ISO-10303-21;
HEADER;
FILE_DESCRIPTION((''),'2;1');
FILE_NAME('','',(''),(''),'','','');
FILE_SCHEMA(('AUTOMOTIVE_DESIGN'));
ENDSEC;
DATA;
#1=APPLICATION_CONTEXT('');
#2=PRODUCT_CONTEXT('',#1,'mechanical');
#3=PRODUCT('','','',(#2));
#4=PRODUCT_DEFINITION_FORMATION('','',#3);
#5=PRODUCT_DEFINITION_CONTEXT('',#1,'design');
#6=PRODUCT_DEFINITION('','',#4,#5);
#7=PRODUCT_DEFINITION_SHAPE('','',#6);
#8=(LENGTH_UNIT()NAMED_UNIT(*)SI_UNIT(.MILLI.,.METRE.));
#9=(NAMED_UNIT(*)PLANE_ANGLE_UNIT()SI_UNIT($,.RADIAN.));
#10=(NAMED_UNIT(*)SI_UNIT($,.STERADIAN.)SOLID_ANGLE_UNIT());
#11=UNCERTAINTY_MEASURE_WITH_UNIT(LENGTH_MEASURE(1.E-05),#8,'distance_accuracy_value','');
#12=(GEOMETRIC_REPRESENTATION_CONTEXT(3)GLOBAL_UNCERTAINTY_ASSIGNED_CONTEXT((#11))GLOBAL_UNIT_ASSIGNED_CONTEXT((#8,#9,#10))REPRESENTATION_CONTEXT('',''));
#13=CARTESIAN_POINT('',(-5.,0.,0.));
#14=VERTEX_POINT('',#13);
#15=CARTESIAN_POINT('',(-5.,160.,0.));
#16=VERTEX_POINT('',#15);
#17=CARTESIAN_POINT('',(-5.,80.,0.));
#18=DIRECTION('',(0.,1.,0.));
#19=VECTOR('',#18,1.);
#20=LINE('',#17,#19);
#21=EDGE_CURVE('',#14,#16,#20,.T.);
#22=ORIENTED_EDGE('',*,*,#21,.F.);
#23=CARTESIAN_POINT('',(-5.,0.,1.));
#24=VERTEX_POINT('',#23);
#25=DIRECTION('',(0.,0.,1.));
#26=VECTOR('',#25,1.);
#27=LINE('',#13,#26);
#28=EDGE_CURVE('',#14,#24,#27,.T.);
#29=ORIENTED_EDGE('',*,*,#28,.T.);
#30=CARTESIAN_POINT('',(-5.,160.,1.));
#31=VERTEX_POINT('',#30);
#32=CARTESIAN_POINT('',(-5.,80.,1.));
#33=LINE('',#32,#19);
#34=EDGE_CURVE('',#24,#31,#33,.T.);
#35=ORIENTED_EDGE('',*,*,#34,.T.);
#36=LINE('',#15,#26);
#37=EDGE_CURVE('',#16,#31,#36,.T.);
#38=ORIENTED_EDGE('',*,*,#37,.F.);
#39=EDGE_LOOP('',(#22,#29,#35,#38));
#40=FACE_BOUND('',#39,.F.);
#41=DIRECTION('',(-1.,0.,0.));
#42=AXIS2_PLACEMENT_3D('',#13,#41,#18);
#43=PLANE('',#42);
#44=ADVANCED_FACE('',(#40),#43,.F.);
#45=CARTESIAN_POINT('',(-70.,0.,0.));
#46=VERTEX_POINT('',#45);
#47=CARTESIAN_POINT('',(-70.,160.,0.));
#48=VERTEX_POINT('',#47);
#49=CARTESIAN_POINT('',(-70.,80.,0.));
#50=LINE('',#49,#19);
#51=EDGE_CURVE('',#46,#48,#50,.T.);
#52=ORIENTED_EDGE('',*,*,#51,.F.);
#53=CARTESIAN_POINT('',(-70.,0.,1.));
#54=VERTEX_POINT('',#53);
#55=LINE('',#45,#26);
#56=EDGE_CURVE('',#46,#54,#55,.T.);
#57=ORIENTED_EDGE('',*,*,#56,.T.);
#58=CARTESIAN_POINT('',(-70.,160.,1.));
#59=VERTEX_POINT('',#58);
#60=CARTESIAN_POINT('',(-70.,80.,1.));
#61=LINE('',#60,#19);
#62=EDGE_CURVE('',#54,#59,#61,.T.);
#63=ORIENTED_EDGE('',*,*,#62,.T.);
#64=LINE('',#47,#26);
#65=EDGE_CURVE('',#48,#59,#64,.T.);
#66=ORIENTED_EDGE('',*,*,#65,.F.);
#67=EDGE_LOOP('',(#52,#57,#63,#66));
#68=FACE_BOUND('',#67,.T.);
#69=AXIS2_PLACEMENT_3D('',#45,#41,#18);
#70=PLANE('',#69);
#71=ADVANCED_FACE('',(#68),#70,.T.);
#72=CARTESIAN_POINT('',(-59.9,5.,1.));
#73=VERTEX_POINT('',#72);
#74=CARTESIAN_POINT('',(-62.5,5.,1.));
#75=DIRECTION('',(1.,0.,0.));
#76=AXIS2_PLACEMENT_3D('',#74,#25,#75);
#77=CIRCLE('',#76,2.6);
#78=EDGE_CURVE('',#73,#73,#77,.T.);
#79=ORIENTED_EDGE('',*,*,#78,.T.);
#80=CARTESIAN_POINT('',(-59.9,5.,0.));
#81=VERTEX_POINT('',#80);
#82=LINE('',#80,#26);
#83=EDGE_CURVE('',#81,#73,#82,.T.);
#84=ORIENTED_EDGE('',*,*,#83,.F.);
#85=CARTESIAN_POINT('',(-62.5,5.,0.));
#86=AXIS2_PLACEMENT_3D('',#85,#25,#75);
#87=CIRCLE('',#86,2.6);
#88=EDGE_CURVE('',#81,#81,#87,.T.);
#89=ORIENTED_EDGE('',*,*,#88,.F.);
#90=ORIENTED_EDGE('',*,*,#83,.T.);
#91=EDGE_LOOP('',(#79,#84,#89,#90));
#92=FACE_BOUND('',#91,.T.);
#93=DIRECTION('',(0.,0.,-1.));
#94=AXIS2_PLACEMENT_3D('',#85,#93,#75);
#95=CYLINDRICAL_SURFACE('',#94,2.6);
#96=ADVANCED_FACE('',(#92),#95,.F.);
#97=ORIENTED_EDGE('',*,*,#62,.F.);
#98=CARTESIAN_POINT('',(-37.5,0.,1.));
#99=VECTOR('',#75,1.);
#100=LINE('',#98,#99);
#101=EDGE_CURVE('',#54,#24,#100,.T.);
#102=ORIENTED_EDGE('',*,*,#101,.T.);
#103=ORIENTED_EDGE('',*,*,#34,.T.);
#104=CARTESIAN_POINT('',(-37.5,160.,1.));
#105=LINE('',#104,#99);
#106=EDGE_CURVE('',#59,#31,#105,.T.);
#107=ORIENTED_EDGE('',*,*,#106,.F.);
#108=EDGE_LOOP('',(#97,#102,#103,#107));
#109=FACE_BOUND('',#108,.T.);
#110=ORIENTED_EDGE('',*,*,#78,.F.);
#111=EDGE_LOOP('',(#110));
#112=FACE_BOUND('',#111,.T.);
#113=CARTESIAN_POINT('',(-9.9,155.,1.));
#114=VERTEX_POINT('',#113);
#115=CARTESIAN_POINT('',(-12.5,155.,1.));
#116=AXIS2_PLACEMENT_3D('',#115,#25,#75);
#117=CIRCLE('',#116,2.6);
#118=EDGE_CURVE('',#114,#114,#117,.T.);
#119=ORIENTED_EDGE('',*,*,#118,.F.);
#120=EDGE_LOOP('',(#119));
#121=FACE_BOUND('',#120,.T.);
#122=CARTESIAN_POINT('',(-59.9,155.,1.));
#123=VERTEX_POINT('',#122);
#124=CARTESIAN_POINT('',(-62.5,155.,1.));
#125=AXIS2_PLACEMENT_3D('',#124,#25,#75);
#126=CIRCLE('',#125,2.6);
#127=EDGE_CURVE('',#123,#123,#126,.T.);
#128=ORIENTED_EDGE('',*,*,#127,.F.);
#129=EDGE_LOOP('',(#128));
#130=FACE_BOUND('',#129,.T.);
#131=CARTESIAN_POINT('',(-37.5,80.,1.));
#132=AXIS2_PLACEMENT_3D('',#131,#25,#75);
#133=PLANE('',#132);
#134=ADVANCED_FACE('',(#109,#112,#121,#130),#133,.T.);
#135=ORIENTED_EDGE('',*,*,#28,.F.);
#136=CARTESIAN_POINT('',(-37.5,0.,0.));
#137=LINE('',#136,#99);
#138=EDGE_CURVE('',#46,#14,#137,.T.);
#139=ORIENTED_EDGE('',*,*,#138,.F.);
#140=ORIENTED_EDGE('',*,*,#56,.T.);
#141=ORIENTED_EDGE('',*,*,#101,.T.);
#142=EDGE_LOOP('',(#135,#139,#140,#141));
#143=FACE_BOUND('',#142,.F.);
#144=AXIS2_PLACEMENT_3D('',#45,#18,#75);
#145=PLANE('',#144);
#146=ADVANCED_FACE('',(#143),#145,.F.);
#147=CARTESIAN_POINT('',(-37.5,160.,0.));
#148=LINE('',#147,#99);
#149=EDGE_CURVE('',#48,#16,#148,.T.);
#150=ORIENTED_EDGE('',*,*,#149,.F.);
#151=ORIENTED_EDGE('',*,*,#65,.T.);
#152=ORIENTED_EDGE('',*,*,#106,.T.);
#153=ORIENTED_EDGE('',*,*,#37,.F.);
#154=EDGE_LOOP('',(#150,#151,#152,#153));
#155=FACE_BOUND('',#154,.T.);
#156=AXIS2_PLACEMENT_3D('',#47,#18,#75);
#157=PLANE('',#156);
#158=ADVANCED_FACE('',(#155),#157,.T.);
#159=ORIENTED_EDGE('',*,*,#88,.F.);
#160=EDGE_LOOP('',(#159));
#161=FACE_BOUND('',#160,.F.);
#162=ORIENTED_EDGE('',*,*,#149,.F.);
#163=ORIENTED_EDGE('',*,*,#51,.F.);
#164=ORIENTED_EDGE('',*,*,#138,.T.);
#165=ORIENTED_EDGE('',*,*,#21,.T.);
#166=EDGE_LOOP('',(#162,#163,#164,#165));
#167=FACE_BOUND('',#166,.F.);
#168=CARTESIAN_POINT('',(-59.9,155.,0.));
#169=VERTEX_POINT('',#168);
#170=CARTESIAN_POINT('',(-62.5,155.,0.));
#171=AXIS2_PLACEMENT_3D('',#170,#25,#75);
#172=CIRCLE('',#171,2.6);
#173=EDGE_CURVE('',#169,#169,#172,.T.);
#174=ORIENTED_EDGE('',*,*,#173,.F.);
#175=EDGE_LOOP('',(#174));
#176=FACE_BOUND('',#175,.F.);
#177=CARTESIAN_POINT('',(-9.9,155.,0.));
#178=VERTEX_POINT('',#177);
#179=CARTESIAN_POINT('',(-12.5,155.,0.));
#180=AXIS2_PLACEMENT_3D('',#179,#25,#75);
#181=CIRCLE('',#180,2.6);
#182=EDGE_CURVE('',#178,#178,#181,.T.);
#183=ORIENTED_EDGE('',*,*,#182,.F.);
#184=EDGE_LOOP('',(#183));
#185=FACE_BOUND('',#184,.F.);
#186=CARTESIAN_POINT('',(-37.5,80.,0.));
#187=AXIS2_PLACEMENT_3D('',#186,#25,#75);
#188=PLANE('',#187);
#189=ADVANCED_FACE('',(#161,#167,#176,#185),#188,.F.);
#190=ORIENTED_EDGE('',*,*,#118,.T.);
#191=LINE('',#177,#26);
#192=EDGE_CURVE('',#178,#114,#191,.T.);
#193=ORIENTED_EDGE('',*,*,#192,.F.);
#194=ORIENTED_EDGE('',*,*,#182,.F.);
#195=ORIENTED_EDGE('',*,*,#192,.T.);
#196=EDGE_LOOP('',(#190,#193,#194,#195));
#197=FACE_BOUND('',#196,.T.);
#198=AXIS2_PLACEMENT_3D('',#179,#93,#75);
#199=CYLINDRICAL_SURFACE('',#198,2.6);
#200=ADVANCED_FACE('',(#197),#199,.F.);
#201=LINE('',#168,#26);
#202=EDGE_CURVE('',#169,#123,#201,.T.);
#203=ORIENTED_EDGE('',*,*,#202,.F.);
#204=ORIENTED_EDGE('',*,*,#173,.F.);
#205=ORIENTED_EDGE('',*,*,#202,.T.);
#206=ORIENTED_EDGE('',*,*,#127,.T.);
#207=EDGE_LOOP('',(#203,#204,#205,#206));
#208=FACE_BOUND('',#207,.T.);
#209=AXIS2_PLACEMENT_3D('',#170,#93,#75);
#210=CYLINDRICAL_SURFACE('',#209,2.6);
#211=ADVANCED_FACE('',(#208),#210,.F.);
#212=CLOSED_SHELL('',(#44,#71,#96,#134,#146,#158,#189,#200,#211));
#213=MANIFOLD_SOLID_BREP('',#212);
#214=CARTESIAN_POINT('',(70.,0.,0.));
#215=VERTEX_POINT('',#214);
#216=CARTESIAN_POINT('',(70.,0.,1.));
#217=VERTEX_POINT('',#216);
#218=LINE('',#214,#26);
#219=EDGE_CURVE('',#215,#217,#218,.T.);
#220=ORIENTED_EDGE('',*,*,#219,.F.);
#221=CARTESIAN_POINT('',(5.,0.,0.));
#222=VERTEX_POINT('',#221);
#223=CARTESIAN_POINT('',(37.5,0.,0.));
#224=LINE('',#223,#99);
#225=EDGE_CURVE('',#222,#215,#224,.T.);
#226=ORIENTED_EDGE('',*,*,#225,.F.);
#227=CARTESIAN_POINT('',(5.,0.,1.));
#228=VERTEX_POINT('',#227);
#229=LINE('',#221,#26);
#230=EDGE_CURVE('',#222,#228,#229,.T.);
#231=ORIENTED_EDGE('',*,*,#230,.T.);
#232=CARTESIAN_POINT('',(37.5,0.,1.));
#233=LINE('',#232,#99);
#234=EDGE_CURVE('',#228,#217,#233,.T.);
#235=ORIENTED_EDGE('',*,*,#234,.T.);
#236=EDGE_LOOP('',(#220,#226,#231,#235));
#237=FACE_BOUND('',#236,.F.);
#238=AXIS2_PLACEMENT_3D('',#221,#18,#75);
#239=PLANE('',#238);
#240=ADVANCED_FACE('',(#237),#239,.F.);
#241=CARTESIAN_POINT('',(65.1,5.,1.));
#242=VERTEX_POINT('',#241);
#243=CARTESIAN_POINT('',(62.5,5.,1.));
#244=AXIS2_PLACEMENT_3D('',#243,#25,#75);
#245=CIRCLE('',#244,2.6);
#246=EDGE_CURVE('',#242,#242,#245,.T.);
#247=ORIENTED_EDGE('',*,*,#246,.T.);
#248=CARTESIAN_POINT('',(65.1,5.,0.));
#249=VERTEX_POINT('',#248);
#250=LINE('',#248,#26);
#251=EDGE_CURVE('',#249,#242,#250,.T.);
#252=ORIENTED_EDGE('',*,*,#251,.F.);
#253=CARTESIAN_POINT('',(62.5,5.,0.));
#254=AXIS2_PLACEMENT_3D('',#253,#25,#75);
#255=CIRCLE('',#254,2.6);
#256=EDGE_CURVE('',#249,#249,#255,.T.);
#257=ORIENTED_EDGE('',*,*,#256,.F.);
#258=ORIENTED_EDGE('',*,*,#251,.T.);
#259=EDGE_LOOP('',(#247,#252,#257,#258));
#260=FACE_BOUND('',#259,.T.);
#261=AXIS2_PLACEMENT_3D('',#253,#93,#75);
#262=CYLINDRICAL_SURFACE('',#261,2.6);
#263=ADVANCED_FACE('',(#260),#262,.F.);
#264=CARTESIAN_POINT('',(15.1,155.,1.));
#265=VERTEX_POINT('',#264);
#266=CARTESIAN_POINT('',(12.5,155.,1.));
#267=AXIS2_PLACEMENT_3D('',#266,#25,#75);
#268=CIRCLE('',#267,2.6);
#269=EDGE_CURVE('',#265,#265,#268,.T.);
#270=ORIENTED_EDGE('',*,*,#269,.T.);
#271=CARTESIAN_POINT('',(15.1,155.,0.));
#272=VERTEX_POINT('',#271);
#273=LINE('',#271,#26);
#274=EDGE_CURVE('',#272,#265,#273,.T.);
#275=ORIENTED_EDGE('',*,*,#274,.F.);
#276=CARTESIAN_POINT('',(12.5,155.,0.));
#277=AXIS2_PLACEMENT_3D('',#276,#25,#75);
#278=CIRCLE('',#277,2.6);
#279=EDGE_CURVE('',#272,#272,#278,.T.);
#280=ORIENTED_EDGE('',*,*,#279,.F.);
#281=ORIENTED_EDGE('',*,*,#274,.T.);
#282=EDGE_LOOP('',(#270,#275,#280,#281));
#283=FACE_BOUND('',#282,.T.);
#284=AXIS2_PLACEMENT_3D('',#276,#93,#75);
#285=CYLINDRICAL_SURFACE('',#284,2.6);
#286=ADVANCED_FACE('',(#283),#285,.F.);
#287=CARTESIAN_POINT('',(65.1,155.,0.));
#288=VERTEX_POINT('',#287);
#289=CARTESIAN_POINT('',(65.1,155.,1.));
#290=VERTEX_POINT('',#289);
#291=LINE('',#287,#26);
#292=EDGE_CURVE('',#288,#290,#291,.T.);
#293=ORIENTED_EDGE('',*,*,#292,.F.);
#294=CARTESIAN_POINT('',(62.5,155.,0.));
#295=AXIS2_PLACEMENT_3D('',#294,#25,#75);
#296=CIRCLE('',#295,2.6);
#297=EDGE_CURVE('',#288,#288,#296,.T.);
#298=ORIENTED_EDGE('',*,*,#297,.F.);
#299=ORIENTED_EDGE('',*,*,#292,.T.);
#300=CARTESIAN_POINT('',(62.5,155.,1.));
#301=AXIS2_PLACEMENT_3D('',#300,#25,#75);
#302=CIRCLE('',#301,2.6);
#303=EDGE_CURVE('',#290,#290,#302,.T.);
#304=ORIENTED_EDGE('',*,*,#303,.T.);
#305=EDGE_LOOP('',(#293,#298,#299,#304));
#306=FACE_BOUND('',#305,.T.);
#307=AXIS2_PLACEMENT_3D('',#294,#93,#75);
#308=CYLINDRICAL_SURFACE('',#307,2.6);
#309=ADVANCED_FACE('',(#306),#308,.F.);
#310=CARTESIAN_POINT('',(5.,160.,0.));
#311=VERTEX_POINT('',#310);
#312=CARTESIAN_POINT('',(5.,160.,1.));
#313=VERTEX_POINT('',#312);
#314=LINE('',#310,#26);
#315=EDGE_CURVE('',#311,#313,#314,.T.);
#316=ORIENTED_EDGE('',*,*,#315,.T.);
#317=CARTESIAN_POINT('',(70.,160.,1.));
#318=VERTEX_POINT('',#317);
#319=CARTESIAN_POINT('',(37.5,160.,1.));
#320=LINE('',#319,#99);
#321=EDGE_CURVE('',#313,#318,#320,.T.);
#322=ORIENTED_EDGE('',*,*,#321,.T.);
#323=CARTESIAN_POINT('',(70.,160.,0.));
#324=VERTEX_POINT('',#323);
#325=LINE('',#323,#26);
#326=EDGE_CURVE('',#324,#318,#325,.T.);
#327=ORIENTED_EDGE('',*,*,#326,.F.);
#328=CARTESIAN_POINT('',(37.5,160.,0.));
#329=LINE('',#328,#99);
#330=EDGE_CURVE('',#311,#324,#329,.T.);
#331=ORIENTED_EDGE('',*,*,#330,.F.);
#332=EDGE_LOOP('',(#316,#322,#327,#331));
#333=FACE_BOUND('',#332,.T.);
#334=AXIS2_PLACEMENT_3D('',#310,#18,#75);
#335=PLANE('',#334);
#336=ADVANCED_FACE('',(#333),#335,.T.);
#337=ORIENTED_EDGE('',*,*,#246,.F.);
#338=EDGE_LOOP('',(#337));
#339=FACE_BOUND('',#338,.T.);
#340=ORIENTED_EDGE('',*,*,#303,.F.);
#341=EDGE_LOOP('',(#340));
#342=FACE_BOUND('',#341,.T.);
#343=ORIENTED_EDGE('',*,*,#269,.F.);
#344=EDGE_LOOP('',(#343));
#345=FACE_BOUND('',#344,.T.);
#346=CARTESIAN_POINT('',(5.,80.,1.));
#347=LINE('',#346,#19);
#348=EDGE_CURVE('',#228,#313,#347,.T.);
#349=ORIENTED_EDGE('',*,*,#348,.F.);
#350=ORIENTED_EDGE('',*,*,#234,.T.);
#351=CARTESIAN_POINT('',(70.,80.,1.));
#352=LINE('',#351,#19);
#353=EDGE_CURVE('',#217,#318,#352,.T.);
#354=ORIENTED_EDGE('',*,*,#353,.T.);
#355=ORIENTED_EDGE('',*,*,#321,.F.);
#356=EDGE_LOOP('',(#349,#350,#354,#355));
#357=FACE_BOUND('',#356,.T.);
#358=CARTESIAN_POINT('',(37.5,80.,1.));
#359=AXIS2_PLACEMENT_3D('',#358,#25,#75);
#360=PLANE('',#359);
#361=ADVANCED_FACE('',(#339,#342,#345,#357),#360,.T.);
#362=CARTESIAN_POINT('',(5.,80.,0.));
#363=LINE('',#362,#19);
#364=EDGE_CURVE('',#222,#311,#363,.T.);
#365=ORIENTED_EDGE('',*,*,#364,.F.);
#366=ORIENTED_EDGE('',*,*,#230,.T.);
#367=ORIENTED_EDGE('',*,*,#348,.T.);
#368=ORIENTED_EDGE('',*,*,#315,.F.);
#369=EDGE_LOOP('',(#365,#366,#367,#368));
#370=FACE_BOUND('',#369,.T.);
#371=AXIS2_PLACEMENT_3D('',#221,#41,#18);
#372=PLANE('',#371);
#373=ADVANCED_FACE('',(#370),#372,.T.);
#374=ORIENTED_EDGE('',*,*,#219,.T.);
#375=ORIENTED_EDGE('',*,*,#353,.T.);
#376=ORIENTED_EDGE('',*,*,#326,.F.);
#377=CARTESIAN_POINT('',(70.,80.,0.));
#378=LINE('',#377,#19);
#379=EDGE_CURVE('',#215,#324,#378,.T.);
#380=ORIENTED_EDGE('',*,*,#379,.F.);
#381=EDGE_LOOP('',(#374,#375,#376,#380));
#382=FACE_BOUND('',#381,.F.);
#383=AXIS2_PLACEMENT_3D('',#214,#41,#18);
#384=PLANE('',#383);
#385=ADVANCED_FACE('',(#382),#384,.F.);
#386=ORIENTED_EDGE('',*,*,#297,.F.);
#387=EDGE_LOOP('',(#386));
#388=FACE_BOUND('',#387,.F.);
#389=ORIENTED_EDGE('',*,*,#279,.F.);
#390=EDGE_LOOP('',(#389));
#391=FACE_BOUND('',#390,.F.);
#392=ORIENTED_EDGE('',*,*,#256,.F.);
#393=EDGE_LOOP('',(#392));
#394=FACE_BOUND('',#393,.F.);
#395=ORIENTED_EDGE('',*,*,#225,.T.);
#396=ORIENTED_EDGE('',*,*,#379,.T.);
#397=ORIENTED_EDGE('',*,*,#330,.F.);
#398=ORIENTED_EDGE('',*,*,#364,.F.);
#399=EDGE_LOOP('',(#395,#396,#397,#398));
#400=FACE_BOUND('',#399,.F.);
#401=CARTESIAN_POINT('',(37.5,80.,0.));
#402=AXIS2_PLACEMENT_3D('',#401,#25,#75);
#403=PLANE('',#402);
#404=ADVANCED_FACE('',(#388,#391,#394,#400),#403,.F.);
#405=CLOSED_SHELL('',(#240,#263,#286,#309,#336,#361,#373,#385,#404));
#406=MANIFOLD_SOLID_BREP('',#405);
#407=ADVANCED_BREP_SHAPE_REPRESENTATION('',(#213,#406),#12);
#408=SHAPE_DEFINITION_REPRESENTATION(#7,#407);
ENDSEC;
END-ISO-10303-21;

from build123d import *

# Parameters (mm, degrees)
F0_W     = 65
F0_H     = 160
F0_R     = 2.6
F1_DEPTH = 1


with BuildPart() as f1:
    # F0 (on Top) → F1 (new body)
    with BuildSketch(Plane.XY):
        with Locations((37.5, 80)):
            Rectangle(F0_W, F0_H)
        with Locations((62.5, 5)):
            Circle(F0_R, mode=Mode.SUBTRACT)
        with Locations((12.5, 155)):
            Circle(F0_R, mode=Mode.SUBTRACT)
        with Locations((62.5, 155)):
            Circle(F0_R, mode=Mode.SUBTRACT)
        with Locations((-37.5, 80)):
            Rectangle(F0_W, F0_H)
        with Locations((-62.5, 5)):
            Circle(F0_R, mode=Mode.SUBTRACT)
        with Locations((-62.5, 155)):
            Circle(F0_R, mode=Mode.SUBTRACT)
        with Locations((-12.5, 155)):
            Circle(F0_R, mode=Mode.SUBTRACT)
    extrude(amount=F1_DEPTH)


solid = f1.part
